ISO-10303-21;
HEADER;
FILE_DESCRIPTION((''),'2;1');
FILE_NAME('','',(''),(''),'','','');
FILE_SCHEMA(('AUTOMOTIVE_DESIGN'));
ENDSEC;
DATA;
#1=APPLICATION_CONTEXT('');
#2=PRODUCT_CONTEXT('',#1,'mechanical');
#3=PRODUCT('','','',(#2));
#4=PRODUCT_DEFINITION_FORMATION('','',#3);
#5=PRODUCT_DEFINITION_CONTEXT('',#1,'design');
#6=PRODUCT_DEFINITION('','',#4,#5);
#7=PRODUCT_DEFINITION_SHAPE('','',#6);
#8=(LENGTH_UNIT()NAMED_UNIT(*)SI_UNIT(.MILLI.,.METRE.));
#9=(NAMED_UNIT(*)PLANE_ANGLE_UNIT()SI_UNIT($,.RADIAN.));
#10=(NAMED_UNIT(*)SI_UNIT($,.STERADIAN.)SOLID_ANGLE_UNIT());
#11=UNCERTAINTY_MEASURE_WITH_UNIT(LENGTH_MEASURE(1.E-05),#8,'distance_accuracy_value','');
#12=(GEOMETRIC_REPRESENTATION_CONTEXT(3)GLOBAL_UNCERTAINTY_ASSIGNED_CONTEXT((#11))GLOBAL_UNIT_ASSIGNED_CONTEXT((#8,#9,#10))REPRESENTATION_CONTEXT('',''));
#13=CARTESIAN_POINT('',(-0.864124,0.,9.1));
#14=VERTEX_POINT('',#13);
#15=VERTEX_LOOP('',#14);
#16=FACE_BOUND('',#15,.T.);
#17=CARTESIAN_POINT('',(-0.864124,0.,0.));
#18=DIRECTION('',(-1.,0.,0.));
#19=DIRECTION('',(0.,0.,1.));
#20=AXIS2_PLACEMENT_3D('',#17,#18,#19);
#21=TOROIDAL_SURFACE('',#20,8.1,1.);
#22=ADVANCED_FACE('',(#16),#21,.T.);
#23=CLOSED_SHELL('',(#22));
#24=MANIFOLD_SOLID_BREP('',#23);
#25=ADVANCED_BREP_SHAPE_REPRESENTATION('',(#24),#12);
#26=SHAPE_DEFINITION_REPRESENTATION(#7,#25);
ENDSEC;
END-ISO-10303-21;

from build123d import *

# Parameters (mm, degrees)
ESQUISSE1_R = 1


with BuildPart() as part:
    # Esquisse1 → Révolution1 (revolve)
    with BuildSketch(Plane.XY, mode=Mode.PRIVATE) as r_volution1_sk:
        with Locations((-0.864124, 8.1)):
            Circle(ESQUISSE1_R)
    revolve(r_volution1_sk.sketch.rotate(Axis((-44.93443299, 0, 0), (1, 0, 0)), 90), axis=Axis((-44.93443299, 0, 0), (1, 0, 0)))  # turned: the seam where the file's is


solid = part.part
